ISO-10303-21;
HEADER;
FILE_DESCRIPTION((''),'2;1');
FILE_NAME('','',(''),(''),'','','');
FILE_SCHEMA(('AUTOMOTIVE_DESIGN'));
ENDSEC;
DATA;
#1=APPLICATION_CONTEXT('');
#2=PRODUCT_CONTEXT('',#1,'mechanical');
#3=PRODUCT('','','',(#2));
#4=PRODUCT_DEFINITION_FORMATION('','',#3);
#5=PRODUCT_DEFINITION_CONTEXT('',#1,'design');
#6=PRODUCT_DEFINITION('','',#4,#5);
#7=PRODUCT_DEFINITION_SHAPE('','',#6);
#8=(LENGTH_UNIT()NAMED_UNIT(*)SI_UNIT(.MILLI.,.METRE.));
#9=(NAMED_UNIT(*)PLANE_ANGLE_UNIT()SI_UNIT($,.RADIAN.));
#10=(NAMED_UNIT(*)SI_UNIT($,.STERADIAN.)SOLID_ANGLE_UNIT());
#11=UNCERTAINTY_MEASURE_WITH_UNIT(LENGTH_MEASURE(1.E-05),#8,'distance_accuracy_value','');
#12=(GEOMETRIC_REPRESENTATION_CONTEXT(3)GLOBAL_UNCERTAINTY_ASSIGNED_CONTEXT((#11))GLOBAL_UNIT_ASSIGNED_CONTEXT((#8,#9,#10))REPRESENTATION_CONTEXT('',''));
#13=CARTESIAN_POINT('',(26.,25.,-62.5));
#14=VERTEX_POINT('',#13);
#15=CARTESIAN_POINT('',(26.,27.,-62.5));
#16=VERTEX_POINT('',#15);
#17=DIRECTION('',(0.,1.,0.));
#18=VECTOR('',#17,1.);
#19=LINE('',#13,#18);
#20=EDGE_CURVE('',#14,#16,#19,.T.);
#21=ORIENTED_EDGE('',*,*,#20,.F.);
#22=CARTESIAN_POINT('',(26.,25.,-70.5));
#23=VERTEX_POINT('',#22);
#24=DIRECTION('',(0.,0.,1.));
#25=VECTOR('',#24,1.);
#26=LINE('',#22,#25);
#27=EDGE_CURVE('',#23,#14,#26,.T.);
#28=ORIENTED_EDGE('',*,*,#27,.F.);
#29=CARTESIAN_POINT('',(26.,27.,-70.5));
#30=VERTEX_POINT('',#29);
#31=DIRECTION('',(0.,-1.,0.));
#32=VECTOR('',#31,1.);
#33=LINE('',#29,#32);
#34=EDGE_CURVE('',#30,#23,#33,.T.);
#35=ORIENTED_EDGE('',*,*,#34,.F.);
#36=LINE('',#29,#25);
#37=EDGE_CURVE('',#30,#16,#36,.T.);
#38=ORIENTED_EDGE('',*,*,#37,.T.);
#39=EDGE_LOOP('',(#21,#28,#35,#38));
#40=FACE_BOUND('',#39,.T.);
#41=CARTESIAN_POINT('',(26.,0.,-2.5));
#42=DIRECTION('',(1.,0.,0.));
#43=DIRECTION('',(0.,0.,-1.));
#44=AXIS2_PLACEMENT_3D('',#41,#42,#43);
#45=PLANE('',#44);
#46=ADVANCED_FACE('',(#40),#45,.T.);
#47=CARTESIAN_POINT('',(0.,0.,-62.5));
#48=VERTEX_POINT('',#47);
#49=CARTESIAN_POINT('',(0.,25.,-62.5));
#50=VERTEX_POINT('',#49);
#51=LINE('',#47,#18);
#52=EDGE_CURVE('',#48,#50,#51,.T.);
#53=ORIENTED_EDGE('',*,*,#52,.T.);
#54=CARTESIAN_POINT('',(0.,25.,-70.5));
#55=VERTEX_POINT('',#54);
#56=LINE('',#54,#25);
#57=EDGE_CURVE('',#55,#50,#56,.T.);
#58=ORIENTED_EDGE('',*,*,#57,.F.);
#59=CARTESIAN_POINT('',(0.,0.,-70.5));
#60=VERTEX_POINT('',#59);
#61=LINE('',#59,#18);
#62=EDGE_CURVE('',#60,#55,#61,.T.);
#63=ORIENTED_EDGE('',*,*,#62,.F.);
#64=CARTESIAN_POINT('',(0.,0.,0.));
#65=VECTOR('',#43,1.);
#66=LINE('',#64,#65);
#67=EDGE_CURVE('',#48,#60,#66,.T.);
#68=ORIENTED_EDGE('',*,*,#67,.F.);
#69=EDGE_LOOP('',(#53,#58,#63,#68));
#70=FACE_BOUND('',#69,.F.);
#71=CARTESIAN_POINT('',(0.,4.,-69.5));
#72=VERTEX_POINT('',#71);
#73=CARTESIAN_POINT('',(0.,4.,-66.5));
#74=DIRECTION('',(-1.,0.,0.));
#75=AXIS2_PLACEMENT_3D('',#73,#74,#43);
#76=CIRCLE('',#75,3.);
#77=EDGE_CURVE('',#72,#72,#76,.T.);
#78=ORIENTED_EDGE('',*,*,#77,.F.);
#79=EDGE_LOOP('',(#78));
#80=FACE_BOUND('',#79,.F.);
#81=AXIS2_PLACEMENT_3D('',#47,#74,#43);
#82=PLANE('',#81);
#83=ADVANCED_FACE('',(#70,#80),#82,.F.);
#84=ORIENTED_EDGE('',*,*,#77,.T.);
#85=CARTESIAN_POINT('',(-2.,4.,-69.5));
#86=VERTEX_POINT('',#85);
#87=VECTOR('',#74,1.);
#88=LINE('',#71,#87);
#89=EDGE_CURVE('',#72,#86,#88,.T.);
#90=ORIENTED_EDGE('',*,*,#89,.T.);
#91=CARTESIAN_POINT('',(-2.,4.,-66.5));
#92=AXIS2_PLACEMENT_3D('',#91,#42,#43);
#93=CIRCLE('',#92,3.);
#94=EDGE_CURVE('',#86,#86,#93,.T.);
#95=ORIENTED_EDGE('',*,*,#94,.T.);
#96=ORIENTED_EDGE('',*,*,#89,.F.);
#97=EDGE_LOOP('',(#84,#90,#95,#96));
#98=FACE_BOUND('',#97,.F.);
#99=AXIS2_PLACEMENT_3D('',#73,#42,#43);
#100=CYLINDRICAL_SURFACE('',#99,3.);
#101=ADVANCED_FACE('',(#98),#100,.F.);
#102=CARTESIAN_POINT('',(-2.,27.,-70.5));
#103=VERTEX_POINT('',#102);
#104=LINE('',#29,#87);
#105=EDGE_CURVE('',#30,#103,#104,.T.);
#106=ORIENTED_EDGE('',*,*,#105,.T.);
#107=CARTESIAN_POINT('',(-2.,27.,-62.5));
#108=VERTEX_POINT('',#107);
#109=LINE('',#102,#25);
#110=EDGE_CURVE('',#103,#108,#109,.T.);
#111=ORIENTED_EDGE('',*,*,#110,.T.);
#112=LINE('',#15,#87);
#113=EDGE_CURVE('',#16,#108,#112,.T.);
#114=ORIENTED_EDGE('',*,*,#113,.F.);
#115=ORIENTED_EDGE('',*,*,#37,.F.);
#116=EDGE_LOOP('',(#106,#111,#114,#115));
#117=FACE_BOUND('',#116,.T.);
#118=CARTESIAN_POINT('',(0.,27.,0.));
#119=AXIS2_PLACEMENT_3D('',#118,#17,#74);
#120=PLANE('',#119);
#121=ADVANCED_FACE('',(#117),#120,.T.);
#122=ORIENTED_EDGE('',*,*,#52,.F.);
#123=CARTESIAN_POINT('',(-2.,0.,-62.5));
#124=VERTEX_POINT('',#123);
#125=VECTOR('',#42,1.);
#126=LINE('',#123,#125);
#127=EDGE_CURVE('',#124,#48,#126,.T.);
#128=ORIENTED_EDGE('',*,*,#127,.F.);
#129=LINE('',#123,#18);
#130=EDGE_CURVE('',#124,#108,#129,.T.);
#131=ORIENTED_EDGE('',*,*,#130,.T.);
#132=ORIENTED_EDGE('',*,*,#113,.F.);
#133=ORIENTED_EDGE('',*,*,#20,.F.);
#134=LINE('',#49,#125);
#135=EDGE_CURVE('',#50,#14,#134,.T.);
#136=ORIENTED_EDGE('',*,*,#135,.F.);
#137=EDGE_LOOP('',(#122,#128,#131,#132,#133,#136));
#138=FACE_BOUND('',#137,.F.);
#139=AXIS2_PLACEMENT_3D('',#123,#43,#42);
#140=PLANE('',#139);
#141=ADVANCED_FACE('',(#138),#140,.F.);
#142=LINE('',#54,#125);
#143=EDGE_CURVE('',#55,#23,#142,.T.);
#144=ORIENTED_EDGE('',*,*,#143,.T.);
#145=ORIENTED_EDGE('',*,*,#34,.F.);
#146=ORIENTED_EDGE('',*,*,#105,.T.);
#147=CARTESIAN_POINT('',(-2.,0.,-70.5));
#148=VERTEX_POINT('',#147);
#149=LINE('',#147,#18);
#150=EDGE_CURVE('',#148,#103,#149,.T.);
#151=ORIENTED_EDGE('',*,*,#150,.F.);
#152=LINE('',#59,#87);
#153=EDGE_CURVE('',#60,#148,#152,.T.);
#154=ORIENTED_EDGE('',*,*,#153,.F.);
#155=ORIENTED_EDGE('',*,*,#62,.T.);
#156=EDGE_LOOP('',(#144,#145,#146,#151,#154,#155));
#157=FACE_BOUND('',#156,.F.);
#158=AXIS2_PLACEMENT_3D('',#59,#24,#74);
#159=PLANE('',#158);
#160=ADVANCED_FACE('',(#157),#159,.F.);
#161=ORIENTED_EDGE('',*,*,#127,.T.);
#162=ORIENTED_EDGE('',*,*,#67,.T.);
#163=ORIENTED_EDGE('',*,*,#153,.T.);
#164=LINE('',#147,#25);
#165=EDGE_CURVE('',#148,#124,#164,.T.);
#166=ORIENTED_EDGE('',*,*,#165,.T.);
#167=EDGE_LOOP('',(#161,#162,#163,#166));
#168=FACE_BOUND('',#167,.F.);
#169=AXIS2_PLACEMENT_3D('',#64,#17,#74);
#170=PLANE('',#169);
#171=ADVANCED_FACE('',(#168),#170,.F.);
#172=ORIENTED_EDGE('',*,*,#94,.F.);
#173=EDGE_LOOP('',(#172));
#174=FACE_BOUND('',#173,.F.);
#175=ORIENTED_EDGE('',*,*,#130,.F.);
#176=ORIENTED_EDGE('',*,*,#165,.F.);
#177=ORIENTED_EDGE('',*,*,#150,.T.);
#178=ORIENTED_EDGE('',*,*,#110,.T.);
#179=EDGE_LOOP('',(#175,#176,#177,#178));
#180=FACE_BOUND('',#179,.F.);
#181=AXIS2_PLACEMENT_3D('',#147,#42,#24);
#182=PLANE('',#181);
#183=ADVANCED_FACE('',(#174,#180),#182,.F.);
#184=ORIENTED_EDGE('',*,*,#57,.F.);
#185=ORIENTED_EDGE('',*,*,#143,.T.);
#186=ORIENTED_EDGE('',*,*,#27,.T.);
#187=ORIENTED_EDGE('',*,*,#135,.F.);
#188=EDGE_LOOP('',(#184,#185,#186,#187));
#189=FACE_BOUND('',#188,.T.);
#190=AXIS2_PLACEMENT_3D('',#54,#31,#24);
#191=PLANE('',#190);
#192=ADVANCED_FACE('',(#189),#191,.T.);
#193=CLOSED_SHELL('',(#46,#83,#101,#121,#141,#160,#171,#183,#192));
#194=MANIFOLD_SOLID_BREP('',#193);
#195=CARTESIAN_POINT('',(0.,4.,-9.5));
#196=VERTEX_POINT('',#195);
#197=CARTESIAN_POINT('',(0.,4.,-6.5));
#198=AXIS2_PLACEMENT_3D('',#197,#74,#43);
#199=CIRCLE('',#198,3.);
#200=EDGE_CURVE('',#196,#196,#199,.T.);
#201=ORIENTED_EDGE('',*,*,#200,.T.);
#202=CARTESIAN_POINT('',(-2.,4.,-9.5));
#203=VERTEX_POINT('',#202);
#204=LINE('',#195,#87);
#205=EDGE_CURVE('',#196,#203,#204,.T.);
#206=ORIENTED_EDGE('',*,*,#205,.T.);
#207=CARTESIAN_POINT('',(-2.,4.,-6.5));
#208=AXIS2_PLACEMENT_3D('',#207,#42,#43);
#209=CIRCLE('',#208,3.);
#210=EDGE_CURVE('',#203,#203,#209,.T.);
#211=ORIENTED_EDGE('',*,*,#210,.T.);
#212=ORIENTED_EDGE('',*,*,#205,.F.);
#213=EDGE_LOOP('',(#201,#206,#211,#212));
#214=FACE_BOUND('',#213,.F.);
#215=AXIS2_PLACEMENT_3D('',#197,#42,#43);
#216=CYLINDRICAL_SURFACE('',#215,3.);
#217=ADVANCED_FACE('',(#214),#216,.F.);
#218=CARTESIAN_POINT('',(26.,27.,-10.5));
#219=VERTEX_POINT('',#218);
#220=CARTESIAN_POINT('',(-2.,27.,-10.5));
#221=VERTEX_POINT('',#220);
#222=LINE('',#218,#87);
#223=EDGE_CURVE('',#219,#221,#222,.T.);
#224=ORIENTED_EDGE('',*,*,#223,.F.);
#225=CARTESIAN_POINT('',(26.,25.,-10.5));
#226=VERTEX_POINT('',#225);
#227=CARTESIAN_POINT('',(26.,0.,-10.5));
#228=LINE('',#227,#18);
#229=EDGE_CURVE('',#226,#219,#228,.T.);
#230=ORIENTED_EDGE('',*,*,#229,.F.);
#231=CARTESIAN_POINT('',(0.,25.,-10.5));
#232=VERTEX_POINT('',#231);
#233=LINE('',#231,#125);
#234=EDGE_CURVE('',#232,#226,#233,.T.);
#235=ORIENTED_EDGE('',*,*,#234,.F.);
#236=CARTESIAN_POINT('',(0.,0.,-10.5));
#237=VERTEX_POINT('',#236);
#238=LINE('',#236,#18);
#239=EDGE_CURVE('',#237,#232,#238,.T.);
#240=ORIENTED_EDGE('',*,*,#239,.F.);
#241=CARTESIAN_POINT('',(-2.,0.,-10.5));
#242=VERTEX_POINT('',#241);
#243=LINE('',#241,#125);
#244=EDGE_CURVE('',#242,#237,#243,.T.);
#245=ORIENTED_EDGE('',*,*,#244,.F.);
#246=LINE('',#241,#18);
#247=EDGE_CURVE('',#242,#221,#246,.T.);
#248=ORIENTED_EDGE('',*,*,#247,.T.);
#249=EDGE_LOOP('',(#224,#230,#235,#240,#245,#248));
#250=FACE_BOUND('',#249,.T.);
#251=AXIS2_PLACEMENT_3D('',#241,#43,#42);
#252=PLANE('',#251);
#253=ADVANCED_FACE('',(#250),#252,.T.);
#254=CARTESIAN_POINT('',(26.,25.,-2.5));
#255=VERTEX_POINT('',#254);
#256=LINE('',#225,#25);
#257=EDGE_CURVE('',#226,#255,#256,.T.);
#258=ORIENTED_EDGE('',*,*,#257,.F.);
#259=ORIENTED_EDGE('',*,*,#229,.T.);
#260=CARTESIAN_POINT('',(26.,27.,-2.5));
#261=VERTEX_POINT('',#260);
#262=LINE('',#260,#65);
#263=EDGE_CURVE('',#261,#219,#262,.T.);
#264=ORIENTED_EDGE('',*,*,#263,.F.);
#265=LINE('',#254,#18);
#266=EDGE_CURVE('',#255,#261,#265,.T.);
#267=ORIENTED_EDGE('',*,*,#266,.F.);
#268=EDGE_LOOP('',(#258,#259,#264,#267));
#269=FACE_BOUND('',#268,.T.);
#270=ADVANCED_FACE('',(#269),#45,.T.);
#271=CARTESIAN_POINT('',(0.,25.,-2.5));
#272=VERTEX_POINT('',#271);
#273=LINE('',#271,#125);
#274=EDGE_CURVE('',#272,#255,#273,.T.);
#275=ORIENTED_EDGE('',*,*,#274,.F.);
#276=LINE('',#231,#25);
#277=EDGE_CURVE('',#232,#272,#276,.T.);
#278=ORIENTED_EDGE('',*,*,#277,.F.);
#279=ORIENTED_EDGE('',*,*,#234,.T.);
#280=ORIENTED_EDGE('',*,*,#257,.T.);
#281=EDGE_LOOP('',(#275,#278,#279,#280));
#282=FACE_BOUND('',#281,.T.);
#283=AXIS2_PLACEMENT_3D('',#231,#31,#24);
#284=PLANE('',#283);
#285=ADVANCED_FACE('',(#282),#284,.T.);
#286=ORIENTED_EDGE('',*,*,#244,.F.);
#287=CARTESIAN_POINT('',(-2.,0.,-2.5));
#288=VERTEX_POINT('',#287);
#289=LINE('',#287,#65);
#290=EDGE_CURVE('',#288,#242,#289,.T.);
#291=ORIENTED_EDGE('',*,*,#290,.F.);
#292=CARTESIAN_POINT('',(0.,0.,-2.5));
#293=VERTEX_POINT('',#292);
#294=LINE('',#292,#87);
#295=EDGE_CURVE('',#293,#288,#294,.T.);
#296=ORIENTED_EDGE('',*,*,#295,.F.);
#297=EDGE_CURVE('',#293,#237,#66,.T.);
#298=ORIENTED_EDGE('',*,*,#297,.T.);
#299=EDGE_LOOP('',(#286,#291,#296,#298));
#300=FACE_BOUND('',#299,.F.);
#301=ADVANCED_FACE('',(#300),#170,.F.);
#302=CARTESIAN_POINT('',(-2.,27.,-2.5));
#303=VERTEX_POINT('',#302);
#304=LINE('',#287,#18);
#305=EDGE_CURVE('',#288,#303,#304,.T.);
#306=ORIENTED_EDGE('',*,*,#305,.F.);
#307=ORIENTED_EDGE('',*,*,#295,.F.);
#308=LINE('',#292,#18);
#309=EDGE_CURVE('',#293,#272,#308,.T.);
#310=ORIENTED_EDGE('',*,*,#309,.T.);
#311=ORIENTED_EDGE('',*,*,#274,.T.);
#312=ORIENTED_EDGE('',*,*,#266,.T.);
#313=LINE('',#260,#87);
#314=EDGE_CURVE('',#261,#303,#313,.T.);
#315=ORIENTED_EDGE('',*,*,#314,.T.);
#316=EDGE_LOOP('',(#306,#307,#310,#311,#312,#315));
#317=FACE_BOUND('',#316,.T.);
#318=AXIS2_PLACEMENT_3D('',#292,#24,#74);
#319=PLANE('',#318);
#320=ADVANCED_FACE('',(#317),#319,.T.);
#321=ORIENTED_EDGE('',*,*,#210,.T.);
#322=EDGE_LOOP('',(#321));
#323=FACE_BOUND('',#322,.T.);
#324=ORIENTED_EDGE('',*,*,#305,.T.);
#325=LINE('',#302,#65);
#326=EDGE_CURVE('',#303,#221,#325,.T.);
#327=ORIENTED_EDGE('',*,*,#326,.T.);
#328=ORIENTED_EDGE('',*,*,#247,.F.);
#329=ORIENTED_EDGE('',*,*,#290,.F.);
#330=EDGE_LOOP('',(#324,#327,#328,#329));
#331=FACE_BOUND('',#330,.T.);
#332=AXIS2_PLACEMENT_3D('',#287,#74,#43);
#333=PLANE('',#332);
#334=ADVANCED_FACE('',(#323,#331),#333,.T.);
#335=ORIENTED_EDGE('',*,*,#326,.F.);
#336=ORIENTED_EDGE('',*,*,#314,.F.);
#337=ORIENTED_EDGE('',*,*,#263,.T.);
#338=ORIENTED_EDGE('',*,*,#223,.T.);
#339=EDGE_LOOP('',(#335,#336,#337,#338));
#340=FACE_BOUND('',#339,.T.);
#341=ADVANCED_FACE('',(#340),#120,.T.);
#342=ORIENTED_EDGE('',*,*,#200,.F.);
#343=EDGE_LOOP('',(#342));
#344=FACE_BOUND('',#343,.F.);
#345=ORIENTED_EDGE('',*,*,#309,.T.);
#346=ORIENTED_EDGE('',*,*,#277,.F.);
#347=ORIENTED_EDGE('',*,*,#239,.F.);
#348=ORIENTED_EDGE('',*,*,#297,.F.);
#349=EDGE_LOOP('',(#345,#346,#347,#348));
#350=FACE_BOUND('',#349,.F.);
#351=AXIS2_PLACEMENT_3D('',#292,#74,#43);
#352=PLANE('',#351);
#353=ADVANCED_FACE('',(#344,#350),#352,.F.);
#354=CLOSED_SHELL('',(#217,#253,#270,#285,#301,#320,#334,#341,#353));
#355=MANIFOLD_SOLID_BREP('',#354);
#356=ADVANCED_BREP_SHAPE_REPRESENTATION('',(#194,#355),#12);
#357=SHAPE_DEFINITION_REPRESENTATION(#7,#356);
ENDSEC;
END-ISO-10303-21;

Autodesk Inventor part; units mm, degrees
ref_plane "YZ Plane" through (0, 0, 0) normal (1, 0, 0) x (0, 1, 0)
ref_plane "XZ Plane" through (0, 0, 0) normal (0, 1, 0) x (-1, 0, 0)
ref_plane "XY Plane" through (0, 0, 0) normal (0, 0, 1) x (1, 0, 0)
sketch "Esboço1" plane through (0, 0, 0) normal (0, 1, 0) x (-1, 0, 0)
  line L0 (0, 0) -> (0, -72)
  line L1 (0, 0) -> (0, -2.5)
  line L2 (0, -72) -> (0, -70.5)
  line L3 (0, -2.5) -> (2, -2.5)
  line L4 (2, -2.5) -> (2, -10.5)
  line L5 (2, -10.5) -> (0, -10.5)
  line L6 (0, -10.5) -> (0, -2.5)
  line L7 (0, -70.5) -> (2, -70.5)
  line L8 (2, -70.5) -> (2, -62.5)
  line L9 (2, -62.5) -> (0, -62.5)
  line L10 (0, -62.5) -> (0, -70.5)
  dimension "d0" = 72
  dimension "d1" = 2.5
  dimension "d2" = 1.5
  dimension "d3" = 2
  dimension "d4" = 8
  dimension "d5" = 2
  dimension "d6" = 8
extrude "Extrusão1" add sketch "Esboço1" along normal blind 27
sketch "Esboço2" plane through (0, 0, -2.5) normal (1, 0, 0) x (0, 0, -1)
  line L0 (0, 27) -> (8, 27) projected
  line L1 (8, 0) -> (8, 27) projected
  line L2 (0, 27) -> (8, 27)
  line L3 (8, 27) -> (8, 25)
  line L4 (8, 25) -> (0, 25)
  line L5 (0, 25) -> (0, 27)
  line L6 (68, 27) -> (60, 27) projected
  line L7 (60, 27) -> (68, 27)
  line L8 (68, 27) -> (68, 25)
  line L9 (68, 25) -> (60, 25)
  line L10 (60, 25) -> (60, 27)
  point P0 (-2.5, 0)
  dimension "d9" = 2
extrude "Extrusão2" add sketch "Esboço2" along normal blind 26
sketch "Esboço3" plane through (0, 0, -2.5) normal (1, 0, 0) x (0, 0, -1)
  line L0 (0, 0) -> (8, 0) projected
  line L1 (4, 0) -> (4, 4)
  line L2 (60, 0) -> (68, 0) projected
  line L3 (64, 0) -> (64, 4)
  circle A0 centre (4, 4) radius 3
  circle A1 centre (64, 4) radius 3
  point P0 (-2.5, 0)
  dimension "d12" = 4
  dimension "d13" = 4
  dimension "d14" = 6
  dimension "d15" = 6
extrude "Extrusão3" cut sketch "Esboço3" against normal blind 2
properties part number "Fixação Caixa de Segurança Dianteira"
